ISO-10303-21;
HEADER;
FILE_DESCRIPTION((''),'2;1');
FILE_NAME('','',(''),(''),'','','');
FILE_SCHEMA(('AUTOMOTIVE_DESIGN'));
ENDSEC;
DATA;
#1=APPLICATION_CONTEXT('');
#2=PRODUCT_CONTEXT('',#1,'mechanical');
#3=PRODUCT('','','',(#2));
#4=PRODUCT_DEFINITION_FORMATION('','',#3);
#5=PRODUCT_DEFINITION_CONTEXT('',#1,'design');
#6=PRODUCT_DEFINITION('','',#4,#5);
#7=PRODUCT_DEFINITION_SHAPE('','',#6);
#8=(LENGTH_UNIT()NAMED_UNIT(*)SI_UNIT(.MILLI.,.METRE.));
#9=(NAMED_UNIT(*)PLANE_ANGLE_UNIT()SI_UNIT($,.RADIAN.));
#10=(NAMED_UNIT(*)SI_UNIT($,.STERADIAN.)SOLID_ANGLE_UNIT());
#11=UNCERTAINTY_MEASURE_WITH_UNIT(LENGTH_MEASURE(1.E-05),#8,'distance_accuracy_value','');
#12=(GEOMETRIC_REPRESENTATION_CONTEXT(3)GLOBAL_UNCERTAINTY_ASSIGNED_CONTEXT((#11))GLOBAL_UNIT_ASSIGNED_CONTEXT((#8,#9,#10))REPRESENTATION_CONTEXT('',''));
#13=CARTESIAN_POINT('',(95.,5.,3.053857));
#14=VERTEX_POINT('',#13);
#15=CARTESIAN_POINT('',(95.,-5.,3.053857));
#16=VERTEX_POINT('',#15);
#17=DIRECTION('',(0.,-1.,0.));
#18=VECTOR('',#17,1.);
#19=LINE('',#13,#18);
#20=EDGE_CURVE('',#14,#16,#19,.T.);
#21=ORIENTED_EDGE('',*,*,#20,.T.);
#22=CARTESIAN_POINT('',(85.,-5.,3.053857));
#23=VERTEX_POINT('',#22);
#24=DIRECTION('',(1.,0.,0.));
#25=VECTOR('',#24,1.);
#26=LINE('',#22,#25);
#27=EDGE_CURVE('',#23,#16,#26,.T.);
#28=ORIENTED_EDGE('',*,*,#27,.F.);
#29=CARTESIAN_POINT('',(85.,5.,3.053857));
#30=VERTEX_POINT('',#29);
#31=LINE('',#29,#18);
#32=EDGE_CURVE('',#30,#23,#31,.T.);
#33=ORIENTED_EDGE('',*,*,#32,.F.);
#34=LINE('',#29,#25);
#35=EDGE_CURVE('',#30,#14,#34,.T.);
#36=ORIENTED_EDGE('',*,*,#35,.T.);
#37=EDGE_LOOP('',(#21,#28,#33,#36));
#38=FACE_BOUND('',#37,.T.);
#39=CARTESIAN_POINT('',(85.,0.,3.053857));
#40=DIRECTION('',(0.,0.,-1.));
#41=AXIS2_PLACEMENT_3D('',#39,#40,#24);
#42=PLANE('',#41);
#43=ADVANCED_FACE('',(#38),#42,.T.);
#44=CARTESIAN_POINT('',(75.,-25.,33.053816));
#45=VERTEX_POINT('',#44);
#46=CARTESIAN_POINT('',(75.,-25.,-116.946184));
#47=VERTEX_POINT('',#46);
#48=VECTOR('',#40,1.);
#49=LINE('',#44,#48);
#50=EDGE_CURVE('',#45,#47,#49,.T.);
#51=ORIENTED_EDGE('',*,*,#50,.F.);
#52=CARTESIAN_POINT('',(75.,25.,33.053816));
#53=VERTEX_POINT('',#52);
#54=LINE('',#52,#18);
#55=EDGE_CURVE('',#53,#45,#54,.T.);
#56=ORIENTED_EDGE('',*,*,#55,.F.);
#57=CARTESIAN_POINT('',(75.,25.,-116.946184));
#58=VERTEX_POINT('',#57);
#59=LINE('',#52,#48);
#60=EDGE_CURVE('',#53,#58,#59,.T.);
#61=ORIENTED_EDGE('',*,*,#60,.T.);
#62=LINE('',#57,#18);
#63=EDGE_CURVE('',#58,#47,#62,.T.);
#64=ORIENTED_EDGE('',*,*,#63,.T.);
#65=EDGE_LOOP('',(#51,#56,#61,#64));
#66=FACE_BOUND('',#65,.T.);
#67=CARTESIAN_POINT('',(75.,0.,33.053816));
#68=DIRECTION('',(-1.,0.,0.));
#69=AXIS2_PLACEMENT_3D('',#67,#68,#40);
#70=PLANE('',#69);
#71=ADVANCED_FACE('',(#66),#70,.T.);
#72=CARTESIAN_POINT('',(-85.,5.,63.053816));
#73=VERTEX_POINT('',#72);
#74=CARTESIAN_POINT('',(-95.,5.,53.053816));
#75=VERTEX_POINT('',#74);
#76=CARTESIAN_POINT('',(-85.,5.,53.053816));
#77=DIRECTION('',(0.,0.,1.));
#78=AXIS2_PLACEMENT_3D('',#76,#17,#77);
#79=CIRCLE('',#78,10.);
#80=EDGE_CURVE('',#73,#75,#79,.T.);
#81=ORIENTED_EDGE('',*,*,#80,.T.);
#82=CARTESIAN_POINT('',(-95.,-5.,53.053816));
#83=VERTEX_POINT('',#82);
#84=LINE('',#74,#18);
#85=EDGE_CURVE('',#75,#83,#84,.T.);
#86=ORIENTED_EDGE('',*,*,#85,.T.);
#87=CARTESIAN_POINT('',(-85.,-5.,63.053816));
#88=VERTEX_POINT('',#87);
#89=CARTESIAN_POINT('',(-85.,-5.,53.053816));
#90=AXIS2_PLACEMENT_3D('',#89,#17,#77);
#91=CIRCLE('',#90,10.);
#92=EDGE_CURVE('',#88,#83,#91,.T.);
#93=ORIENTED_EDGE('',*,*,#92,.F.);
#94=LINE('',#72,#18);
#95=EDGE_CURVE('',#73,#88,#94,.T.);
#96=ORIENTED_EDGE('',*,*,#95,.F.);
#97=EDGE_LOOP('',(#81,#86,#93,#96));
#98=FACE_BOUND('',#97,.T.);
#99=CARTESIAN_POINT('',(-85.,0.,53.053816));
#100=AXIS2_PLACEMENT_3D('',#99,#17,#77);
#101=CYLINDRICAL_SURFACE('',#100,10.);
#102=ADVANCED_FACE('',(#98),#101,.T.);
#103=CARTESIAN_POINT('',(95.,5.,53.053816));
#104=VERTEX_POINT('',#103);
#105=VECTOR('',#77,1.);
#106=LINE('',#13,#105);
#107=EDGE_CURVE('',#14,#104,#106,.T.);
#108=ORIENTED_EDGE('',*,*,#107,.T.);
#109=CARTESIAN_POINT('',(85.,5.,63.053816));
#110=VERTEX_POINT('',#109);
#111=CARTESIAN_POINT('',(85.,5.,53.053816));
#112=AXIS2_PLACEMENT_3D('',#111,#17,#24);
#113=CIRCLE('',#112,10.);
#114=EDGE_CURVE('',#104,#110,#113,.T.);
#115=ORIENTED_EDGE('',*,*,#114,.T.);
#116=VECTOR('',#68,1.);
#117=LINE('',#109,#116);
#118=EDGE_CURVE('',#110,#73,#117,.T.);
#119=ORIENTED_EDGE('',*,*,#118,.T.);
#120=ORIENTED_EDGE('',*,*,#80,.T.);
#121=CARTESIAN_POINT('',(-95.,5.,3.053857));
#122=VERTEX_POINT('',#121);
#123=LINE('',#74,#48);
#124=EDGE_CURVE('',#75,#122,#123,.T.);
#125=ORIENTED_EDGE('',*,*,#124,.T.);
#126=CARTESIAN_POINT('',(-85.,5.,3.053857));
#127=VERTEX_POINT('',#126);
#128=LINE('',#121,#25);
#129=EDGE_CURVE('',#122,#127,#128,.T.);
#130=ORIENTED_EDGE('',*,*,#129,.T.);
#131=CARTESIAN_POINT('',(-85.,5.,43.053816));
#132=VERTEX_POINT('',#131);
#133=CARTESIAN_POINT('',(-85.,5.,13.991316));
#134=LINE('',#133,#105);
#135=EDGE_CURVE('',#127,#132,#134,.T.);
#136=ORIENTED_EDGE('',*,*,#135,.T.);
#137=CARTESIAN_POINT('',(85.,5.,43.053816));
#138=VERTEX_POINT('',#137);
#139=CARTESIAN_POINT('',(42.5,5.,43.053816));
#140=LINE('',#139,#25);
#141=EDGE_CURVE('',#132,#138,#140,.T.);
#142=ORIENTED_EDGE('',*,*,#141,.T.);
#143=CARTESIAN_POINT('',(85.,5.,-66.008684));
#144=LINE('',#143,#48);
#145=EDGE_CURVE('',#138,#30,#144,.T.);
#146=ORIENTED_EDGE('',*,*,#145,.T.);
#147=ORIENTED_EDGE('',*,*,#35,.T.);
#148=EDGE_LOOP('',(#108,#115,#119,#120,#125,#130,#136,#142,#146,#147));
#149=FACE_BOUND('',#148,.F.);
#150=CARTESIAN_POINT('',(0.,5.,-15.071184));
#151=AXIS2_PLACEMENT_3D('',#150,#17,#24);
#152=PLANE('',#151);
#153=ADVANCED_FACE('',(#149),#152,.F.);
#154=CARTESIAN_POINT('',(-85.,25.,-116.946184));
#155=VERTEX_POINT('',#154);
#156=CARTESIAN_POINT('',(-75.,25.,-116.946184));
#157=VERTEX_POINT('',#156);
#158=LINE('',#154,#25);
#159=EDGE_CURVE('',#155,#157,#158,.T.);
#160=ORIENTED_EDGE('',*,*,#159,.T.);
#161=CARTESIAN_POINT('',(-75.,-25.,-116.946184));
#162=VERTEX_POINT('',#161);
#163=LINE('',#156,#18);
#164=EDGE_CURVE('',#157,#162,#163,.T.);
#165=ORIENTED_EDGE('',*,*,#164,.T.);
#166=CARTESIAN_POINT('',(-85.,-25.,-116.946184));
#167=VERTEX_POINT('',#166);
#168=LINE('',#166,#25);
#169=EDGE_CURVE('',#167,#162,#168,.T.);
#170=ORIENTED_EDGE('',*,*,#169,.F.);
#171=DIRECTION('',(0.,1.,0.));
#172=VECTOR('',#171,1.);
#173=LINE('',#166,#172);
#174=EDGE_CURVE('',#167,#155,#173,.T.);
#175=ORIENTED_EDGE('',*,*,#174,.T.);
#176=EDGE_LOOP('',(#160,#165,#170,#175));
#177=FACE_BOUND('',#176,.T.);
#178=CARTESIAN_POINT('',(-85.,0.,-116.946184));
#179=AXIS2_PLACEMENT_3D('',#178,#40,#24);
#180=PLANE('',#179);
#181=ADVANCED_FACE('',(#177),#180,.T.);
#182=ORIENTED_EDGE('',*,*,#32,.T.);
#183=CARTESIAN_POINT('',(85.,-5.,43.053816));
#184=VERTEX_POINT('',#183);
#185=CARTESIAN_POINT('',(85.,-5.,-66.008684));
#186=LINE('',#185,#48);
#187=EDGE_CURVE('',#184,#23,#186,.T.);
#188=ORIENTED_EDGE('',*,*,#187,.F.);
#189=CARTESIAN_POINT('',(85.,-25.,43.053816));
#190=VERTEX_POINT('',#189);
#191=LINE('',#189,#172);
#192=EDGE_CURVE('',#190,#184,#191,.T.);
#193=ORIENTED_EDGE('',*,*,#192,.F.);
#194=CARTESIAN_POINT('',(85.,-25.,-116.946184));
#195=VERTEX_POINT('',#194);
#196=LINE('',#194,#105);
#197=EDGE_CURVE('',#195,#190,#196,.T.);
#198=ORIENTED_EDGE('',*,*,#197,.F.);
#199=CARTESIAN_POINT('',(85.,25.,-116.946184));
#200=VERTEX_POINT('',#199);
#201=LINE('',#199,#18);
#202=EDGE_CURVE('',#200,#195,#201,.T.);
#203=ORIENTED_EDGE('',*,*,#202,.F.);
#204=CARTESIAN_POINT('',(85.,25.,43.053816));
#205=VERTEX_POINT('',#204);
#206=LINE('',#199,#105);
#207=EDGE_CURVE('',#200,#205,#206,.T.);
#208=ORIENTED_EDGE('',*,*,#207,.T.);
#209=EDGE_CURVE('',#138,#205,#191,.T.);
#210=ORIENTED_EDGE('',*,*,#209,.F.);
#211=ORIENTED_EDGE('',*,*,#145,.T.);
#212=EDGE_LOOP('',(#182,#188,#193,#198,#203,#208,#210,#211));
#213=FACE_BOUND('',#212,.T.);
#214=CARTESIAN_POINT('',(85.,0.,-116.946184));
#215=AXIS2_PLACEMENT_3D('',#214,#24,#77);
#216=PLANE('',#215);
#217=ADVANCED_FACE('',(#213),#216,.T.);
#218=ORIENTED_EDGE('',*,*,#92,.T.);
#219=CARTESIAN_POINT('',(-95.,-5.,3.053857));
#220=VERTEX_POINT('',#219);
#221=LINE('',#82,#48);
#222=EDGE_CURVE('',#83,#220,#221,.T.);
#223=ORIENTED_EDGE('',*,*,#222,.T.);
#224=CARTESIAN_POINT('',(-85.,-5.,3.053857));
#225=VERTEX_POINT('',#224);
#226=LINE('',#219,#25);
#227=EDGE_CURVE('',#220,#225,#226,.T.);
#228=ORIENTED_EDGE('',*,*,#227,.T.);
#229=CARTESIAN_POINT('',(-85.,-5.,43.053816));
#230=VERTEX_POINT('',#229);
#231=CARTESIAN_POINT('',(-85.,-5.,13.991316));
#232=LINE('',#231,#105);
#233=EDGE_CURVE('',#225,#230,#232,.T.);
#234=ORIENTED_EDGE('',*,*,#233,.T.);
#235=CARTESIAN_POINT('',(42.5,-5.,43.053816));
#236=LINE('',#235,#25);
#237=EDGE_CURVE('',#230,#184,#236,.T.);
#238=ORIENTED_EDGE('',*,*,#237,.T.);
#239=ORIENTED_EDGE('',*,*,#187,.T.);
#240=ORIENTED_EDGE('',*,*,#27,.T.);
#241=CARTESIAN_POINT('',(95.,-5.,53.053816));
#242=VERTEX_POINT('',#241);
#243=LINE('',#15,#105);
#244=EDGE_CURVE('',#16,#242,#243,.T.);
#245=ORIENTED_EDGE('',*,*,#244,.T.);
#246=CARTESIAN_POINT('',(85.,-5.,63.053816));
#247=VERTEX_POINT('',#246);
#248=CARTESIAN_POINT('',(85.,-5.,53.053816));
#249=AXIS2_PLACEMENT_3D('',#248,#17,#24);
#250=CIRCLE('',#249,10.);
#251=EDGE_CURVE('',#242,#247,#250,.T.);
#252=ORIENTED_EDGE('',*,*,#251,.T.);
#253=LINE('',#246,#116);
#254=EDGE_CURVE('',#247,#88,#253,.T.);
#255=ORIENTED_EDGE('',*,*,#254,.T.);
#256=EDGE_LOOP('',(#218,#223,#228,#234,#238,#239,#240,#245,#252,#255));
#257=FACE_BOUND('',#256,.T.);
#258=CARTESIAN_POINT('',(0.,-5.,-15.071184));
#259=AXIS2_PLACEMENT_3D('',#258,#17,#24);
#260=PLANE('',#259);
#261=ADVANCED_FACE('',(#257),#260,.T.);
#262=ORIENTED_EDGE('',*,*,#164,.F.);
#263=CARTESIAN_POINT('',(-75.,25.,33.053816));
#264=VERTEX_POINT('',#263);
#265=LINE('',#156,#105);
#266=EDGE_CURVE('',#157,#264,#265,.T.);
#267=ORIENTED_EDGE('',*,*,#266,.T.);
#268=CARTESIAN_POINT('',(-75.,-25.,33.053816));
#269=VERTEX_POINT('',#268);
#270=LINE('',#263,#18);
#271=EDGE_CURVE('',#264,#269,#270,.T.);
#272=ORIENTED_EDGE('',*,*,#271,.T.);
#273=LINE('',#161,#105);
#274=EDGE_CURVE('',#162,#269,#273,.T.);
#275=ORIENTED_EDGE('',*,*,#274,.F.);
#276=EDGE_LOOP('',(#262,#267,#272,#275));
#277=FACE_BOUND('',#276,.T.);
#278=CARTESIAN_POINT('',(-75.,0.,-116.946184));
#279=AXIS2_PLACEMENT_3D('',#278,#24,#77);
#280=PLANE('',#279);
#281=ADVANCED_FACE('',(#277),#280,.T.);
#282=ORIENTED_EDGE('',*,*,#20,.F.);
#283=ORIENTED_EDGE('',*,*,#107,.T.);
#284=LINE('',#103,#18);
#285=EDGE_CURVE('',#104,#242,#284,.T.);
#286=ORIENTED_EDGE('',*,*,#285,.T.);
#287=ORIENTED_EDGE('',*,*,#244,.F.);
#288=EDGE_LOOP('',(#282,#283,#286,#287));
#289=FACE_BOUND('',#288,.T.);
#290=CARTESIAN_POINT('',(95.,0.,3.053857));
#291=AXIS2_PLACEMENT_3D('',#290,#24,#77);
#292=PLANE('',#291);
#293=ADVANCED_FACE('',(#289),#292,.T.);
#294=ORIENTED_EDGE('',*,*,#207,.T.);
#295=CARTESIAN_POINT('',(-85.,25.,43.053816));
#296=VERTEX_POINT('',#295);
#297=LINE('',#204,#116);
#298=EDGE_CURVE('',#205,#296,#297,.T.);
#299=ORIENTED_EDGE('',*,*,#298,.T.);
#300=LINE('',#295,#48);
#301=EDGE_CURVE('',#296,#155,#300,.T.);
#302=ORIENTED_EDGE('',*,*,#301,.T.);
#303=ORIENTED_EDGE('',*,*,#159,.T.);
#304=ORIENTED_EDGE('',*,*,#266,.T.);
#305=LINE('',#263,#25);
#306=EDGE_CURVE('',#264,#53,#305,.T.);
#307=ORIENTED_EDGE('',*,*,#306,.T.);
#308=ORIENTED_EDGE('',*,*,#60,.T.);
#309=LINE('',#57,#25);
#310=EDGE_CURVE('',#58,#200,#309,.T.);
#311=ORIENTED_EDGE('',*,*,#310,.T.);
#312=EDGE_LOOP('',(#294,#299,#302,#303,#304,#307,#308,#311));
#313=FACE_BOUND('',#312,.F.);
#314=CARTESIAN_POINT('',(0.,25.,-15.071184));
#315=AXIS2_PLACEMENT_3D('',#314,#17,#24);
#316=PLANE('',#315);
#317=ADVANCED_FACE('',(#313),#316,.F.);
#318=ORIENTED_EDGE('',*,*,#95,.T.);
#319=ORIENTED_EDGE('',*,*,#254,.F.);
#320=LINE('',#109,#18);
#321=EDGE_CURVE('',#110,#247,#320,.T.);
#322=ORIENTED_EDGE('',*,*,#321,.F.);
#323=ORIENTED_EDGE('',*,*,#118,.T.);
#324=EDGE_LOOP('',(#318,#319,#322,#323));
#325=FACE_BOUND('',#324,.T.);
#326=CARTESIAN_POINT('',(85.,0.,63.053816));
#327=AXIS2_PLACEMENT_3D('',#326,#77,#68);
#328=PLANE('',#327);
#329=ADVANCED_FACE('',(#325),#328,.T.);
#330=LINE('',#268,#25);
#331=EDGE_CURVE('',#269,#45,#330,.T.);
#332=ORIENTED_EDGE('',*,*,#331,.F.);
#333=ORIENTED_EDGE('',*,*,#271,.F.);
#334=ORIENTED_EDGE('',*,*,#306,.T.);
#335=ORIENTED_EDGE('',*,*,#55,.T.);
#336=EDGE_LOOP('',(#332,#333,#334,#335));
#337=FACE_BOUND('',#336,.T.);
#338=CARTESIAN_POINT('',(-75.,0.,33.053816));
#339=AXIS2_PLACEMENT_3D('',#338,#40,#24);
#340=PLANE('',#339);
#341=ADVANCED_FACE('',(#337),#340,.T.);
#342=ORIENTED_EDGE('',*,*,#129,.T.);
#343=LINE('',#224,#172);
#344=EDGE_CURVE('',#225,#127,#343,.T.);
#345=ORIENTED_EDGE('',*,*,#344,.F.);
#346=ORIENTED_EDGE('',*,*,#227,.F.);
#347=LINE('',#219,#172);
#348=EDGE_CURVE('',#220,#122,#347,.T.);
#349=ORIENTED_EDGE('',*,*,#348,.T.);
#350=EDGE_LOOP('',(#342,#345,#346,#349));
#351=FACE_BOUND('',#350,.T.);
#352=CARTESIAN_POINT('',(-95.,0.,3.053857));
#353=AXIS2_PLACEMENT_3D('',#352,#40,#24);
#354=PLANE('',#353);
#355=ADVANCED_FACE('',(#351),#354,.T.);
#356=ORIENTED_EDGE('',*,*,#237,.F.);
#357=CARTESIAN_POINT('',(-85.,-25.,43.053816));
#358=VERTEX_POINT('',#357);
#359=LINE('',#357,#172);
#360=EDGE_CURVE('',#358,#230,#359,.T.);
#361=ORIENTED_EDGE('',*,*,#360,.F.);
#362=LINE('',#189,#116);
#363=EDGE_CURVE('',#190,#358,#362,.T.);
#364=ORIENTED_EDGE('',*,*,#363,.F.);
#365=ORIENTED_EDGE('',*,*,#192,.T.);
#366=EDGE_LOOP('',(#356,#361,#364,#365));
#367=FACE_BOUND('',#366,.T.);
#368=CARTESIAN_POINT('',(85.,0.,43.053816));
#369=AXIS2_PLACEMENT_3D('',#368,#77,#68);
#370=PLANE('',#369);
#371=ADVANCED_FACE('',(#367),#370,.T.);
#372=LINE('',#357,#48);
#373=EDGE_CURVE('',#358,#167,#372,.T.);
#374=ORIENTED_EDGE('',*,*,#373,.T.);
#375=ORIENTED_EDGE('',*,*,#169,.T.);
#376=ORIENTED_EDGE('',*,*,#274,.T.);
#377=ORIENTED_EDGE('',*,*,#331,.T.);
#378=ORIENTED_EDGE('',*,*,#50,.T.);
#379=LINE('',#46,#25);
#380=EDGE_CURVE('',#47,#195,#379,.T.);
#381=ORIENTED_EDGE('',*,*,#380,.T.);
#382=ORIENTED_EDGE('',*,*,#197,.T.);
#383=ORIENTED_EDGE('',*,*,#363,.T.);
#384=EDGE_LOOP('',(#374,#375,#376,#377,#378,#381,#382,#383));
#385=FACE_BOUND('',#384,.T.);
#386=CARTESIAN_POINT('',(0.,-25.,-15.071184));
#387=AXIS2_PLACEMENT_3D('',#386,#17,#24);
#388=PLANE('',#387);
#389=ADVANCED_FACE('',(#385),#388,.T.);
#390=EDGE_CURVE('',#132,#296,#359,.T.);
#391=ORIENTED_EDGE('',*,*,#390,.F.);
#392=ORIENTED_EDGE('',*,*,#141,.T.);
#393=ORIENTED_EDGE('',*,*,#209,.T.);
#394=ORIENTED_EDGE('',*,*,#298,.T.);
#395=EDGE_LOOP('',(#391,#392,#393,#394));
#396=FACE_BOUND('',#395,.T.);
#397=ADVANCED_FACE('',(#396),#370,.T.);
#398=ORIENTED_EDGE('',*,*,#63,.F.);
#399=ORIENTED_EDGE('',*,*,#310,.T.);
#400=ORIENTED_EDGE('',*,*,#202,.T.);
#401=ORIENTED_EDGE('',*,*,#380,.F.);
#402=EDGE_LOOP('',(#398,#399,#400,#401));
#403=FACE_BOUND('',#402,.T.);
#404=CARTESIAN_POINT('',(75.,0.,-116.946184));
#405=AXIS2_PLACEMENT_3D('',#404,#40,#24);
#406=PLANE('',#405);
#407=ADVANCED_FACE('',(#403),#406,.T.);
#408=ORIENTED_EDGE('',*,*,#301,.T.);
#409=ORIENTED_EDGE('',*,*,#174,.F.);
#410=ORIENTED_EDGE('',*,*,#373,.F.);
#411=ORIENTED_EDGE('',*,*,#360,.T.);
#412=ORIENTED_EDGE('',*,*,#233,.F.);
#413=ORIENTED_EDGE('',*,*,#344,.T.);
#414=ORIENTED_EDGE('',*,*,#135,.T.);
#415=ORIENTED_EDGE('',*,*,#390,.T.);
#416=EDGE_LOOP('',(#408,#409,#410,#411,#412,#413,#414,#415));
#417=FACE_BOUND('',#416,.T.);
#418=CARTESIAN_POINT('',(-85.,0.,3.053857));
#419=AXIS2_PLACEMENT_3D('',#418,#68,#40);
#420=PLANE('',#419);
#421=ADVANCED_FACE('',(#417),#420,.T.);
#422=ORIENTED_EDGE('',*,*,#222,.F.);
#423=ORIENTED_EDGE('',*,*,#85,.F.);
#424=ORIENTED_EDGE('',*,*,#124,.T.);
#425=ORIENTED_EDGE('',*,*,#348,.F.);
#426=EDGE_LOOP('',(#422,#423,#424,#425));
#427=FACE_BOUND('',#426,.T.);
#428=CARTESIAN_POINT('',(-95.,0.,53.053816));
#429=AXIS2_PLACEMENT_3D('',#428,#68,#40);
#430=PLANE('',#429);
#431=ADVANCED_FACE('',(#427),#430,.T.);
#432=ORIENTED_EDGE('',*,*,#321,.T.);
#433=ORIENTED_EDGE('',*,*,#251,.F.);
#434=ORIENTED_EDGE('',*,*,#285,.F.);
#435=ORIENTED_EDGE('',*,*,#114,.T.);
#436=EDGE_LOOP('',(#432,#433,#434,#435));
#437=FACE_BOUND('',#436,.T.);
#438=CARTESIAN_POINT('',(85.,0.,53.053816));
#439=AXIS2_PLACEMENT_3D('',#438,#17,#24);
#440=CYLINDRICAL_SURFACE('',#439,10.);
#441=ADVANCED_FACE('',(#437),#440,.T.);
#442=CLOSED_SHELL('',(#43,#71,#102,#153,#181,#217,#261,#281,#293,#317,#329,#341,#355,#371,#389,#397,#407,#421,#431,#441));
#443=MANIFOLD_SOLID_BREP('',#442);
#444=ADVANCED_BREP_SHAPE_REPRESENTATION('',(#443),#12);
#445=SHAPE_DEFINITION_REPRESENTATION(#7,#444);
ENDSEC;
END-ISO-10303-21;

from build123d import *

# Parameters (mm, degrees)
F1_DEPTH = 25
F2_DEPTH = 5


with BuildPart() as f1:
    # F0 (on Front) → F1 (new body, symmetric)
    with BuildSketch(Plane.XZ):
        Polygon((-85, 3.0538571584), (-85, -116.9461835988), (-75, -116.9461835988), (-75, 33.0538164012), (75, 33.0538164012), (75, -116.9461835988), (85, -116.9461835988), (85, 3.0538571584), (85, 43.0538164012), (-85, 43.0538164012), align=None)
    extrude(amount=F1_DEPTH, both=True)

    # F0 (on Front) → F2 (join, symmetric)
    with BuildSketch(Plane.XZ):
        Polygon((-85, 3.0538571584), (-85, -116.9461835988), (-75, -116.9461835988), (-75, 33.0538164012), (75, 33.0538164012), (75, -116.9461835988), (85, -116.9461835988), (85, 3.0538571584), (85, 43.0538164012), (-85, 43.0538164012), align=None)
        with BuildLine():
            Line((-95, 3.0538571584), (-85, 3.0538571584))
            Line((-85, 3.0538571584), (-85, 43.0538164012))
            Line((-85, 43.0538164012), (85, 43.0538164012))
            Line((85, 43.0538164012), (85, 3.0538571584))
            Line((85, 3.0538571584), (95, 3.0538571584))
            Line((95, 3.0538571584), (95, 53.0538164012))
            ThreePointArc((95, 53.0538164012), (92.0710678119, 60.124884213), (85, 63.0538164012))
            Line((85, 63.0538164012), (-85, 63.0538164012))
            ThreePointArc((-85, 63.0538164012), (-92.0710678119, 60.124884213), (-95, 53.0538164012))
            Line((-95, 53.0538164012), (-95, 3.0538571584))
        make_face()
    extrude(amount=F2_DEPTH, both=True)


solid = f1.part
